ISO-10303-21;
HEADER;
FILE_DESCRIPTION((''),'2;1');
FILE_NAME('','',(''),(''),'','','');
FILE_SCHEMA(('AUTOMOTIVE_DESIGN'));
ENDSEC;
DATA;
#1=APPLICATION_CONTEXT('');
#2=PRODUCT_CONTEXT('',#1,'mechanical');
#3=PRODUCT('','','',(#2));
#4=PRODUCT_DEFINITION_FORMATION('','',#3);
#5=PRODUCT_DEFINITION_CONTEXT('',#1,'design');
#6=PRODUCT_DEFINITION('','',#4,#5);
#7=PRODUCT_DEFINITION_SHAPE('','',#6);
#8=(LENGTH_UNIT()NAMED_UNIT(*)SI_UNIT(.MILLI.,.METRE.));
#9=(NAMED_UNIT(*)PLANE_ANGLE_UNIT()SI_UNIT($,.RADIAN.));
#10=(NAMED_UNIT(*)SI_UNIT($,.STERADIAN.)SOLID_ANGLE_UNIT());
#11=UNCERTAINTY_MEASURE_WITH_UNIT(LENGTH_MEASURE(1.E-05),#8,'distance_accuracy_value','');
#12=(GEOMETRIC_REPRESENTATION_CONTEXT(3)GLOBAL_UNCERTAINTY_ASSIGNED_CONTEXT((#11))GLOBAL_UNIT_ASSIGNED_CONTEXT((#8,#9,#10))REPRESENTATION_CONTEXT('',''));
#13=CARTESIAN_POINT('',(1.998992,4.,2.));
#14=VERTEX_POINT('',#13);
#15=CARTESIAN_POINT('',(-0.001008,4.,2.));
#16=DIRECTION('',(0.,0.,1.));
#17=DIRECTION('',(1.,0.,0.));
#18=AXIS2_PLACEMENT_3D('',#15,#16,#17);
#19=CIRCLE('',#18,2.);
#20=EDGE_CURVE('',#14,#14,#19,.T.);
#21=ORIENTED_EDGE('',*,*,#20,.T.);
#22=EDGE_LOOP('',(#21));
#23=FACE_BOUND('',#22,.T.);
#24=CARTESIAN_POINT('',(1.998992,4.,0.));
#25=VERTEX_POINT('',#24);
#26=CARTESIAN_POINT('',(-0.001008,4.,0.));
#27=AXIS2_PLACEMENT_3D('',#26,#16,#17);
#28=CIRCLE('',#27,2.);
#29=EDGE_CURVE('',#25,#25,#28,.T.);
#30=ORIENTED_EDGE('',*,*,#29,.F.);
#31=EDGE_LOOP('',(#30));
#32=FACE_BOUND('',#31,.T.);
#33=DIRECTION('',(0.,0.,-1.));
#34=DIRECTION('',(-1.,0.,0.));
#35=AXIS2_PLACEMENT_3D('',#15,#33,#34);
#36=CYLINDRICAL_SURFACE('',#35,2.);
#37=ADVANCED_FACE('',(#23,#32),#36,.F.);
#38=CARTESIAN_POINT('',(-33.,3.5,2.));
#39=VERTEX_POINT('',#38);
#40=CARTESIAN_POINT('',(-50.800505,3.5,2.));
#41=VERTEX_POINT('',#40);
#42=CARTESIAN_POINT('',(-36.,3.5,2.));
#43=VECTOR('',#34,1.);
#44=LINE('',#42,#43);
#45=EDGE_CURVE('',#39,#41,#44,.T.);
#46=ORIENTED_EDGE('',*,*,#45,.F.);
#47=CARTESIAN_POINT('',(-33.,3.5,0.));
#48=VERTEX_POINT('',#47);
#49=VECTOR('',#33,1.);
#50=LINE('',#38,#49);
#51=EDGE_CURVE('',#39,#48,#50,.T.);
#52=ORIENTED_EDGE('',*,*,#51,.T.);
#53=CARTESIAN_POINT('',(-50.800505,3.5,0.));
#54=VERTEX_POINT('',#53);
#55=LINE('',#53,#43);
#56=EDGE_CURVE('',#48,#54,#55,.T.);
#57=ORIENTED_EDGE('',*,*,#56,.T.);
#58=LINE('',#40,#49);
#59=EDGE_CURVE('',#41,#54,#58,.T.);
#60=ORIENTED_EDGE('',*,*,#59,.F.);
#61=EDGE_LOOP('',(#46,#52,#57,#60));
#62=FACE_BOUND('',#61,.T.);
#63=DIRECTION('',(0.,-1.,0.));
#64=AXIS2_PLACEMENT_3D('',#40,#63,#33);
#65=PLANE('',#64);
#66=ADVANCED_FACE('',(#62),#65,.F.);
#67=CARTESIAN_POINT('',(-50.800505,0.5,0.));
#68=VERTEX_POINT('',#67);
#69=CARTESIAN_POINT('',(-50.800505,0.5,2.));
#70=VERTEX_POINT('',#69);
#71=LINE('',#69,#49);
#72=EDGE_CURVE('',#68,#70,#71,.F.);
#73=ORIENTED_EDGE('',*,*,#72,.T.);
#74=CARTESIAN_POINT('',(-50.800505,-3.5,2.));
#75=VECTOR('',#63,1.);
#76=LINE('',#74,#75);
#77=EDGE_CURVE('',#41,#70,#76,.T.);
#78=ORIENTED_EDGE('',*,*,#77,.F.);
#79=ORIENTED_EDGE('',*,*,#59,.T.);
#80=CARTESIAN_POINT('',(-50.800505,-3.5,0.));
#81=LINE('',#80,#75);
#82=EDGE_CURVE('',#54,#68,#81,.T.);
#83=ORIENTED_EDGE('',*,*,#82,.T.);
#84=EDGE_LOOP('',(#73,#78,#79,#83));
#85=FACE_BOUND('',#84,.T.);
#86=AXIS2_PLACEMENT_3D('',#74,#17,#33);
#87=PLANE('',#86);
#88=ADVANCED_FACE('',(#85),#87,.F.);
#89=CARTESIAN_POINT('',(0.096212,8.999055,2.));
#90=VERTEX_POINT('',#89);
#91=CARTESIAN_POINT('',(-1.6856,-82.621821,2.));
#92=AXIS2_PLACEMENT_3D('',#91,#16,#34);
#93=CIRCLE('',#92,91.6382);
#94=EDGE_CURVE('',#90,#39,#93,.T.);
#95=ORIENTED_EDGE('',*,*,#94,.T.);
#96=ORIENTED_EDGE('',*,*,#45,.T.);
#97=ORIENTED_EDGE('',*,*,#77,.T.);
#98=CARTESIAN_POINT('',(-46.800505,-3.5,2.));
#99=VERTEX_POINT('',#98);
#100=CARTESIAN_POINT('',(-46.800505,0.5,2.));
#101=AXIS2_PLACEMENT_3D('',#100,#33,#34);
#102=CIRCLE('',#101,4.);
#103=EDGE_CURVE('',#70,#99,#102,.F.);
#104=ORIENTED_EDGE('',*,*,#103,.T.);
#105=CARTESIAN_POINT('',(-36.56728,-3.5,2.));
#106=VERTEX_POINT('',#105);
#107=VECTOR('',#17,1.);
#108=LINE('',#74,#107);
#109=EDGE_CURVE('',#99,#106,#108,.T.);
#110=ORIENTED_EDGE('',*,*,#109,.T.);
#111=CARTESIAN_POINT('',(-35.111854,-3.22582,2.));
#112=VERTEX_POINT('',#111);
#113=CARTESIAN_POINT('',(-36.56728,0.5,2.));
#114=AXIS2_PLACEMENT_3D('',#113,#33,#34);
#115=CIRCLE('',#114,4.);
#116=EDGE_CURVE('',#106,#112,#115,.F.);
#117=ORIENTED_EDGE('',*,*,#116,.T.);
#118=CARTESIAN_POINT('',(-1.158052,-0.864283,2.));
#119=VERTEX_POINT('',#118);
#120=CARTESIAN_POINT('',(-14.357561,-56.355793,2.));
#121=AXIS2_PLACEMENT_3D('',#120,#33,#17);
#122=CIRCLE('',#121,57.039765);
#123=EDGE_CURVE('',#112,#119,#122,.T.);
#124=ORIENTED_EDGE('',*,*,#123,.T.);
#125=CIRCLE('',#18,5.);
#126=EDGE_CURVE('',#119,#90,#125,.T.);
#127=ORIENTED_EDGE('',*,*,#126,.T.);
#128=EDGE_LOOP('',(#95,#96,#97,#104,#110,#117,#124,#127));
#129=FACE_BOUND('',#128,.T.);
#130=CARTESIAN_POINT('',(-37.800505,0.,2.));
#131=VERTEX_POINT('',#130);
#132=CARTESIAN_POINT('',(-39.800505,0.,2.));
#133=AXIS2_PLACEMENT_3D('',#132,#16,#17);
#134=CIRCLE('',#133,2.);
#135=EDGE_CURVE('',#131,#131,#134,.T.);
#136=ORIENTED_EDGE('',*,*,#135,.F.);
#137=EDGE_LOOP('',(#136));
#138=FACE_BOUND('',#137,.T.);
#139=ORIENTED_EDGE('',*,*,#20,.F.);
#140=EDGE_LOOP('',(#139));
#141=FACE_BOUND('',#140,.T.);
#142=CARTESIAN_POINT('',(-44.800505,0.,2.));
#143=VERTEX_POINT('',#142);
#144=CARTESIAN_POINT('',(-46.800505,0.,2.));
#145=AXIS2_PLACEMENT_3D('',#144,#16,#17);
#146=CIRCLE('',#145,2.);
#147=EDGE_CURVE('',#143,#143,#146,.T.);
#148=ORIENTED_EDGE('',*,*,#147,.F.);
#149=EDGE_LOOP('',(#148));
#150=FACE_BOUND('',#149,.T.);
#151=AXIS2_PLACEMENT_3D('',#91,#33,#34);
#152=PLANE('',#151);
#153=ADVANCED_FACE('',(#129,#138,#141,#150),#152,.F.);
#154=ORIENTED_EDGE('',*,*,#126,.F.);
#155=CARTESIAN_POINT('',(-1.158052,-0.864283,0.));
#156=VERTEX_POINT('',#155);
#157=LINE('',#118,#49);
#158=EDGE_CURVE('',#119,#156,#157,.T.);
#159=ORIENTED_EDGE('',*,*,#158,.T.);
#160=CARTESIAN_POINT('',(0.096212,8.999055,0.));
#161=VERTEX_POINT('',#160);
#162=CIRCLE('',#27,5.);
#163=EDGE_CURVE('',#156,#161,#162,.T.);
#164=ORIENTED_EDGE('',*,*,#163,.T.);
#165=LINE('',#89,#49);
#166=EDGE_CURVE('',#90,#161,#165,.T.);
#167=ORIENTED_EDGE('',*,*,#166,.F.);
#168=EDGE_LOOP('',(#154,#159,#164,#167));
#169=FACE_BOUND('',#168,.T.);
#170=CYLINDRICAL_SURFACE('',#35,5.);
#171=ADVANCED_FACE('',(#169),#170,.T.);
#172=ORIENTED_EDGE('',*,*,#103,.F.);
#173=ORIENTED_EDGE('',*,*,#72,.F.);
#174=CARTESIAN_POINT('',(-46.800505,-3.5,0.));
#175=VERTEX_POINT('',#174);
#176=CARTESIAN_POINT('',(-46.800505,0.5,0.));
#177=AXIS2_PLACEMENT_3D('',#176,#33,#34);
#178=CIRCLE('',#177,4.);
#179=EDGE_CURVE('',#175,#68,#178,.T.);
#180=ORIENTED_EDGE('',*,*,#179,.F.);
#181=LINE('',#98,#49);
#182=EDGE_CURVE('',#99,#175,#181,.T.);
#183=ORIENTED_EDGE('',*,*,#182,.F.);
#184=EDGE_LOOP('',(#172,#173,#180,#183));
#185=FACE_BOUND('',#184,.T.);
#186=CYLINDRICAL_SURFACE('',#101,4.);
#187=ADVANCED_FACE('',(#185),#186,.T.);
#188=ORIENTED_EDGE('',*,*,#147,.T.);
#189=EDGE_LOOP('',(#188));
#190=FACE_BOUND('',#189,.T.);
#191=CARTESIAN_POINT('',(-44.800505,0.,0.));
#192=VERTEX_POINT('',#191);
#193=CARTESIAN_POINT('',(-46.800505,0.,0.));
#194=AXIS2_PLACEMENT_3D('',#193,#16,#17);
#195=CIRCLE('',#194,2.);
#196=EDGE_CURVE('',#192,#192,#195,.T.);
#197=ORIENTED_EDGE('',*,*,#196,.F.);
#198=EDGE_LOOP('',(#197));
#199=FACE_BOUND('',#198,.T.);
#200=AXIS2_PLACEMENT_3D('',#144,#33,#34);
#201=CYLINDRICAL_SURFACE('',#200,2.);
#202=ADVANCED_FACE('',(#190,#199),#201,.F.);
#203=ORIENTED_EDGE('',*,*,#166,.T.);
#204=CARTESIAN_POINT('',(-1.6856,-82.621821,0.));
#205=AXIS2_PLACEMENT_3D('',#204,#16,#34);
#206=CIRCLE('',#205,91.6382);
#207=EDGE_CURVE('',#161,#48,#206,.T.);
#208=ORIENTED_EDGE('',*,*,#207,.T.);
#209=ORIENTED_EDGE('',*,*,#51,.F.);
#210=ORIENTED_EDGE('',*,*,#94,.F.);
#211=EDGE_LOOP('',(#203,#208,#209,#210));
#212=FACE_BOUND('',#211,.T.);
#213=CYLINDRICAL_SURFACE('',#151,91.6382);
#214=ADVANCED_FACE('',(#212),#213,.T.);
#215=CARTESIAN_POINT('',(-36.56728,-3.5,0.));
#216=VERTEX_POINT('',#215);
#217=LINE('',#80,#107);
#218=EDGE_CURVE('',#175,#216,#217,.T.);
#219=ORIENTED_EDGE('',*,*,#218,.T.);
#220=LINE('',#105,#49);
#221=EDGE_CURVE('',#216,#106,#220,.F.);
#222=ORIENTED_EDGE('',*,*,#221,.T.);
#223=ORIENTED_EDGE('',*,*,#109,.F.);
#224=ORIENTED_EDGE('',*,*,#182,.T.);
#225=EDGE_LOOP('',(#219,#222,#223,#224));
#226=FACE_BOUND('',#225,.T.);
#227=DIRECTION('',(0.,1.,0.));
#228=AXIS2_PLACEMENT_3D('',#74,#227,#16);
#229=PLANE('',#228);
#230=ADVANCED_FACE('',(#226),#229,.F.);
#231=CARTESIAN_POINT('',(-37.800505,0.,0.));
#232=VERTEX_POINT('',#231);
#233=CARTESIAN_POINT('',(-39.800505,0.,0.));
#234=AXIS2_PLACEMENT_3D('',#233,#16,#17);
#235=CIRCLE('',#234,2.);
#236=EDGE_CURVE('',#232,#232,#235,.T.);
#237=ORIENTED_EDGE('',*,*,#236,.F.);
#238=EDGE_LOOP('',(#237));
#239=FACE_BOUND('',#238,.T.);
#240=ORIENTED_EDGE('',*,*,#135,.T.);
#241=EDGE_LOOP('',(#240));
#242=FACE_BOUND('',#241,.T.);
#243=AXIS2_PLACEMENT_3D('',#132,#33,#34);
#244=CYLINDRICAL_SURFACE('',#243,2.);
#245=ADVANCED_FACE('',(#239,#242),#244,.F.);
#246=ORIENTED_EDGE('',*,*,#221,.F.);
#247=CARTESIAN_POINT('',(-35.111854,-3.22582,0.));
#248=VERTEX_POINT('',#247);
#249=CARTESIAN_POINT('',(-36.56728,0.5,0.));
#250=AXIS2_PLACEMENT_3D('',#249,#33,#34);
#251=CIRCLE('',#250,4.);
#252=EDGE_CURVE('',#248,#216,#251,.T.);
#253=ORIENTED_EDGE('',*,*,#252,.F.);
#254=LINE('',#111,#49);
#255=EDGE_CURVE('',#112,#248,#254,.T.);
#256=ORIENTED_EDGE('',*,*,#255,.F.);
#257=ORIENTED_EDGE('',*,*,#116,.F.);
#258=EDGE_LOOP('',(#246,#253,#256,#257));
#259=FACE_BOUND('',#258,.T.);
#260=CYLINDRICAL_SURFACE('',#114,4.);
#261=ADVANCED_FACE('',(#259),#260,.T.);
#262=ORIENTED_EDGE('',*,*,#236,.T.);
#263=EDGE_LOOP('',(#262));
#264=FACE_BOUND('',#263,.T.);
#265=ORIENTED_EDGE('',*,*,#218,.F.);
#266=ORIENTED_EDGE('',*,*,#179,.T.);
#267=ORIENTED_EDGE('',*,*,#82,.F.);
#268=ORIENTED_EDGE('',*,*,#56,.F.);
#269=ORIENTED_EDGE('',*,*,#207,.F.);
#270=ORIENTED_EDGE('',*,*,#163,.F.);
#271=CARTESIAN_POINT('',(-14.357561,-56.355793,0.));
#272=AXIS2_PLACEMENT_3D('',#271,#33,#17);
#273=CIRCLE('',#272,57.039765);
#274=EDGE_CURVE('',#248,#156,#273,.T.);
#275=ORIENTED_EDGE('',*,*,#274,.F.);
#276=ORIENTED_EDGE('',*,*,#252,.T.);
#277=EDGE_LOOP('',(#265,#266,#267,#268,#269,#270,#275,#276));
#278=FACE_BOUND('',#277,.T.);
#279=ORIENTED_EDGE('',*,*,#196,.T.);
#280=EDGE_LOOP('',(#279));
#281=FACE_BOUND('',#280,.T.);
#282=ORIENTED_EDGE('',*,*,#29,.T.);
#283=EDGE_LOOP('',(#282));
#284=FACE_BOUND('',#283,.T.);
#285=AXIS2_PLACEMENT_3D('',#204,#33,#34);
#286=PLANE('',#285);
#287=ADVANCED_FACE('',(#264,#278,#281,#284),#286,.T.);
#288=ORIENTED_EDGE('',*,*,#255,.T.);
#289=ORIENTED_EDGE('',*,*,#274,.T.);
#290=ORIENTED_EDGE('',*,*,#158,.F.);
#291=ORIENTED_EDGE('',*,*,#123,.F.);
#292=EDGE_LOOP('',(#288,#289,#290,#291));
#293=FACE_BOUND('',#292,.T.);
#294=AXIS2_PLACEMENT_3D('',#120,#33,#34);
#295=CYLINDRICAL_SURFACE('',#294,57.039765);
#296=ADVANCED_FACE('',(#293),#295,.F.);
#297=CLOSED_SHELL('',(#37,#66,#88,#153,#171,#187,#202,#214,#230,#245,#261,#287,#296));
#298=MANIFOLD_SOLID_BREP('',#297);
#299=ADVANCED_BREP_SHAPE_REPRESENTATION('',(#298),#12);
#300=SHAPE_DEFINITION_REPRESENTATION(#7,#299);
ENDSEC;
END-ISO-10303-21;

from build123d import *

# Parameters (mm, degrees)
SKETCH1_R           = 2
BOSS_EXTRUDE1_DEPTH = 2
FILLET1_R           = 4


with BuildPart() as part:
    # Sketch1 → Boss-Extrude1 (new body)
    with BuildSketch(Plane.XY):
        with BuildLine():
            Line((-36, 3.5), (-33, 3.5))
            ThreePointArc((-33, 3.5), (-16.705697773, 7.777052757), (0.096212134, 8.999054739))
            ThreePointArc((0.096212134, 8.999054739), (4.959049099, 3.369257867), (-1.158052235, -0.864282903))
            ThreePointArc((-1.158052235, -0.864282903), (-18.684835931, 0.519591906), (-35.800505276, -3.5))
            Line((-35.800505276, -3.5), (-50.800505276, -3.5))
            Line((-50.800505276, -3.5), (-50.800505276, 3.5))
            Line((-50.800505276, 3.5), (-36, 3.5))
        make_face()
        with Locations((-0.001007792, 4)):
            Circle(SKETCH1_R, mode=Mode.SUBTRACT)
        with Locations((-46.800505276, 0)):
            Circle(SKETCH1_R, mode=Mode.SUBTRACT)
        with Locations((-39.800505276, 0)):
            Circle(SKETCH1_R, mode=Mode.SUBTRACT)
    extrude(amount=BOSS_EXTRUDE1_DEPTH)

    # Fillet1
    fillet1_edges = [part.edges().sort_by_distance(p)[0] for p in [
        (-35.800505276, -3.5, 1),
        (-50.800505276, -3.5, 1),
    ]]
    fillet(fillet1_edges, radius=FILLET1_R)


solid = part.part
